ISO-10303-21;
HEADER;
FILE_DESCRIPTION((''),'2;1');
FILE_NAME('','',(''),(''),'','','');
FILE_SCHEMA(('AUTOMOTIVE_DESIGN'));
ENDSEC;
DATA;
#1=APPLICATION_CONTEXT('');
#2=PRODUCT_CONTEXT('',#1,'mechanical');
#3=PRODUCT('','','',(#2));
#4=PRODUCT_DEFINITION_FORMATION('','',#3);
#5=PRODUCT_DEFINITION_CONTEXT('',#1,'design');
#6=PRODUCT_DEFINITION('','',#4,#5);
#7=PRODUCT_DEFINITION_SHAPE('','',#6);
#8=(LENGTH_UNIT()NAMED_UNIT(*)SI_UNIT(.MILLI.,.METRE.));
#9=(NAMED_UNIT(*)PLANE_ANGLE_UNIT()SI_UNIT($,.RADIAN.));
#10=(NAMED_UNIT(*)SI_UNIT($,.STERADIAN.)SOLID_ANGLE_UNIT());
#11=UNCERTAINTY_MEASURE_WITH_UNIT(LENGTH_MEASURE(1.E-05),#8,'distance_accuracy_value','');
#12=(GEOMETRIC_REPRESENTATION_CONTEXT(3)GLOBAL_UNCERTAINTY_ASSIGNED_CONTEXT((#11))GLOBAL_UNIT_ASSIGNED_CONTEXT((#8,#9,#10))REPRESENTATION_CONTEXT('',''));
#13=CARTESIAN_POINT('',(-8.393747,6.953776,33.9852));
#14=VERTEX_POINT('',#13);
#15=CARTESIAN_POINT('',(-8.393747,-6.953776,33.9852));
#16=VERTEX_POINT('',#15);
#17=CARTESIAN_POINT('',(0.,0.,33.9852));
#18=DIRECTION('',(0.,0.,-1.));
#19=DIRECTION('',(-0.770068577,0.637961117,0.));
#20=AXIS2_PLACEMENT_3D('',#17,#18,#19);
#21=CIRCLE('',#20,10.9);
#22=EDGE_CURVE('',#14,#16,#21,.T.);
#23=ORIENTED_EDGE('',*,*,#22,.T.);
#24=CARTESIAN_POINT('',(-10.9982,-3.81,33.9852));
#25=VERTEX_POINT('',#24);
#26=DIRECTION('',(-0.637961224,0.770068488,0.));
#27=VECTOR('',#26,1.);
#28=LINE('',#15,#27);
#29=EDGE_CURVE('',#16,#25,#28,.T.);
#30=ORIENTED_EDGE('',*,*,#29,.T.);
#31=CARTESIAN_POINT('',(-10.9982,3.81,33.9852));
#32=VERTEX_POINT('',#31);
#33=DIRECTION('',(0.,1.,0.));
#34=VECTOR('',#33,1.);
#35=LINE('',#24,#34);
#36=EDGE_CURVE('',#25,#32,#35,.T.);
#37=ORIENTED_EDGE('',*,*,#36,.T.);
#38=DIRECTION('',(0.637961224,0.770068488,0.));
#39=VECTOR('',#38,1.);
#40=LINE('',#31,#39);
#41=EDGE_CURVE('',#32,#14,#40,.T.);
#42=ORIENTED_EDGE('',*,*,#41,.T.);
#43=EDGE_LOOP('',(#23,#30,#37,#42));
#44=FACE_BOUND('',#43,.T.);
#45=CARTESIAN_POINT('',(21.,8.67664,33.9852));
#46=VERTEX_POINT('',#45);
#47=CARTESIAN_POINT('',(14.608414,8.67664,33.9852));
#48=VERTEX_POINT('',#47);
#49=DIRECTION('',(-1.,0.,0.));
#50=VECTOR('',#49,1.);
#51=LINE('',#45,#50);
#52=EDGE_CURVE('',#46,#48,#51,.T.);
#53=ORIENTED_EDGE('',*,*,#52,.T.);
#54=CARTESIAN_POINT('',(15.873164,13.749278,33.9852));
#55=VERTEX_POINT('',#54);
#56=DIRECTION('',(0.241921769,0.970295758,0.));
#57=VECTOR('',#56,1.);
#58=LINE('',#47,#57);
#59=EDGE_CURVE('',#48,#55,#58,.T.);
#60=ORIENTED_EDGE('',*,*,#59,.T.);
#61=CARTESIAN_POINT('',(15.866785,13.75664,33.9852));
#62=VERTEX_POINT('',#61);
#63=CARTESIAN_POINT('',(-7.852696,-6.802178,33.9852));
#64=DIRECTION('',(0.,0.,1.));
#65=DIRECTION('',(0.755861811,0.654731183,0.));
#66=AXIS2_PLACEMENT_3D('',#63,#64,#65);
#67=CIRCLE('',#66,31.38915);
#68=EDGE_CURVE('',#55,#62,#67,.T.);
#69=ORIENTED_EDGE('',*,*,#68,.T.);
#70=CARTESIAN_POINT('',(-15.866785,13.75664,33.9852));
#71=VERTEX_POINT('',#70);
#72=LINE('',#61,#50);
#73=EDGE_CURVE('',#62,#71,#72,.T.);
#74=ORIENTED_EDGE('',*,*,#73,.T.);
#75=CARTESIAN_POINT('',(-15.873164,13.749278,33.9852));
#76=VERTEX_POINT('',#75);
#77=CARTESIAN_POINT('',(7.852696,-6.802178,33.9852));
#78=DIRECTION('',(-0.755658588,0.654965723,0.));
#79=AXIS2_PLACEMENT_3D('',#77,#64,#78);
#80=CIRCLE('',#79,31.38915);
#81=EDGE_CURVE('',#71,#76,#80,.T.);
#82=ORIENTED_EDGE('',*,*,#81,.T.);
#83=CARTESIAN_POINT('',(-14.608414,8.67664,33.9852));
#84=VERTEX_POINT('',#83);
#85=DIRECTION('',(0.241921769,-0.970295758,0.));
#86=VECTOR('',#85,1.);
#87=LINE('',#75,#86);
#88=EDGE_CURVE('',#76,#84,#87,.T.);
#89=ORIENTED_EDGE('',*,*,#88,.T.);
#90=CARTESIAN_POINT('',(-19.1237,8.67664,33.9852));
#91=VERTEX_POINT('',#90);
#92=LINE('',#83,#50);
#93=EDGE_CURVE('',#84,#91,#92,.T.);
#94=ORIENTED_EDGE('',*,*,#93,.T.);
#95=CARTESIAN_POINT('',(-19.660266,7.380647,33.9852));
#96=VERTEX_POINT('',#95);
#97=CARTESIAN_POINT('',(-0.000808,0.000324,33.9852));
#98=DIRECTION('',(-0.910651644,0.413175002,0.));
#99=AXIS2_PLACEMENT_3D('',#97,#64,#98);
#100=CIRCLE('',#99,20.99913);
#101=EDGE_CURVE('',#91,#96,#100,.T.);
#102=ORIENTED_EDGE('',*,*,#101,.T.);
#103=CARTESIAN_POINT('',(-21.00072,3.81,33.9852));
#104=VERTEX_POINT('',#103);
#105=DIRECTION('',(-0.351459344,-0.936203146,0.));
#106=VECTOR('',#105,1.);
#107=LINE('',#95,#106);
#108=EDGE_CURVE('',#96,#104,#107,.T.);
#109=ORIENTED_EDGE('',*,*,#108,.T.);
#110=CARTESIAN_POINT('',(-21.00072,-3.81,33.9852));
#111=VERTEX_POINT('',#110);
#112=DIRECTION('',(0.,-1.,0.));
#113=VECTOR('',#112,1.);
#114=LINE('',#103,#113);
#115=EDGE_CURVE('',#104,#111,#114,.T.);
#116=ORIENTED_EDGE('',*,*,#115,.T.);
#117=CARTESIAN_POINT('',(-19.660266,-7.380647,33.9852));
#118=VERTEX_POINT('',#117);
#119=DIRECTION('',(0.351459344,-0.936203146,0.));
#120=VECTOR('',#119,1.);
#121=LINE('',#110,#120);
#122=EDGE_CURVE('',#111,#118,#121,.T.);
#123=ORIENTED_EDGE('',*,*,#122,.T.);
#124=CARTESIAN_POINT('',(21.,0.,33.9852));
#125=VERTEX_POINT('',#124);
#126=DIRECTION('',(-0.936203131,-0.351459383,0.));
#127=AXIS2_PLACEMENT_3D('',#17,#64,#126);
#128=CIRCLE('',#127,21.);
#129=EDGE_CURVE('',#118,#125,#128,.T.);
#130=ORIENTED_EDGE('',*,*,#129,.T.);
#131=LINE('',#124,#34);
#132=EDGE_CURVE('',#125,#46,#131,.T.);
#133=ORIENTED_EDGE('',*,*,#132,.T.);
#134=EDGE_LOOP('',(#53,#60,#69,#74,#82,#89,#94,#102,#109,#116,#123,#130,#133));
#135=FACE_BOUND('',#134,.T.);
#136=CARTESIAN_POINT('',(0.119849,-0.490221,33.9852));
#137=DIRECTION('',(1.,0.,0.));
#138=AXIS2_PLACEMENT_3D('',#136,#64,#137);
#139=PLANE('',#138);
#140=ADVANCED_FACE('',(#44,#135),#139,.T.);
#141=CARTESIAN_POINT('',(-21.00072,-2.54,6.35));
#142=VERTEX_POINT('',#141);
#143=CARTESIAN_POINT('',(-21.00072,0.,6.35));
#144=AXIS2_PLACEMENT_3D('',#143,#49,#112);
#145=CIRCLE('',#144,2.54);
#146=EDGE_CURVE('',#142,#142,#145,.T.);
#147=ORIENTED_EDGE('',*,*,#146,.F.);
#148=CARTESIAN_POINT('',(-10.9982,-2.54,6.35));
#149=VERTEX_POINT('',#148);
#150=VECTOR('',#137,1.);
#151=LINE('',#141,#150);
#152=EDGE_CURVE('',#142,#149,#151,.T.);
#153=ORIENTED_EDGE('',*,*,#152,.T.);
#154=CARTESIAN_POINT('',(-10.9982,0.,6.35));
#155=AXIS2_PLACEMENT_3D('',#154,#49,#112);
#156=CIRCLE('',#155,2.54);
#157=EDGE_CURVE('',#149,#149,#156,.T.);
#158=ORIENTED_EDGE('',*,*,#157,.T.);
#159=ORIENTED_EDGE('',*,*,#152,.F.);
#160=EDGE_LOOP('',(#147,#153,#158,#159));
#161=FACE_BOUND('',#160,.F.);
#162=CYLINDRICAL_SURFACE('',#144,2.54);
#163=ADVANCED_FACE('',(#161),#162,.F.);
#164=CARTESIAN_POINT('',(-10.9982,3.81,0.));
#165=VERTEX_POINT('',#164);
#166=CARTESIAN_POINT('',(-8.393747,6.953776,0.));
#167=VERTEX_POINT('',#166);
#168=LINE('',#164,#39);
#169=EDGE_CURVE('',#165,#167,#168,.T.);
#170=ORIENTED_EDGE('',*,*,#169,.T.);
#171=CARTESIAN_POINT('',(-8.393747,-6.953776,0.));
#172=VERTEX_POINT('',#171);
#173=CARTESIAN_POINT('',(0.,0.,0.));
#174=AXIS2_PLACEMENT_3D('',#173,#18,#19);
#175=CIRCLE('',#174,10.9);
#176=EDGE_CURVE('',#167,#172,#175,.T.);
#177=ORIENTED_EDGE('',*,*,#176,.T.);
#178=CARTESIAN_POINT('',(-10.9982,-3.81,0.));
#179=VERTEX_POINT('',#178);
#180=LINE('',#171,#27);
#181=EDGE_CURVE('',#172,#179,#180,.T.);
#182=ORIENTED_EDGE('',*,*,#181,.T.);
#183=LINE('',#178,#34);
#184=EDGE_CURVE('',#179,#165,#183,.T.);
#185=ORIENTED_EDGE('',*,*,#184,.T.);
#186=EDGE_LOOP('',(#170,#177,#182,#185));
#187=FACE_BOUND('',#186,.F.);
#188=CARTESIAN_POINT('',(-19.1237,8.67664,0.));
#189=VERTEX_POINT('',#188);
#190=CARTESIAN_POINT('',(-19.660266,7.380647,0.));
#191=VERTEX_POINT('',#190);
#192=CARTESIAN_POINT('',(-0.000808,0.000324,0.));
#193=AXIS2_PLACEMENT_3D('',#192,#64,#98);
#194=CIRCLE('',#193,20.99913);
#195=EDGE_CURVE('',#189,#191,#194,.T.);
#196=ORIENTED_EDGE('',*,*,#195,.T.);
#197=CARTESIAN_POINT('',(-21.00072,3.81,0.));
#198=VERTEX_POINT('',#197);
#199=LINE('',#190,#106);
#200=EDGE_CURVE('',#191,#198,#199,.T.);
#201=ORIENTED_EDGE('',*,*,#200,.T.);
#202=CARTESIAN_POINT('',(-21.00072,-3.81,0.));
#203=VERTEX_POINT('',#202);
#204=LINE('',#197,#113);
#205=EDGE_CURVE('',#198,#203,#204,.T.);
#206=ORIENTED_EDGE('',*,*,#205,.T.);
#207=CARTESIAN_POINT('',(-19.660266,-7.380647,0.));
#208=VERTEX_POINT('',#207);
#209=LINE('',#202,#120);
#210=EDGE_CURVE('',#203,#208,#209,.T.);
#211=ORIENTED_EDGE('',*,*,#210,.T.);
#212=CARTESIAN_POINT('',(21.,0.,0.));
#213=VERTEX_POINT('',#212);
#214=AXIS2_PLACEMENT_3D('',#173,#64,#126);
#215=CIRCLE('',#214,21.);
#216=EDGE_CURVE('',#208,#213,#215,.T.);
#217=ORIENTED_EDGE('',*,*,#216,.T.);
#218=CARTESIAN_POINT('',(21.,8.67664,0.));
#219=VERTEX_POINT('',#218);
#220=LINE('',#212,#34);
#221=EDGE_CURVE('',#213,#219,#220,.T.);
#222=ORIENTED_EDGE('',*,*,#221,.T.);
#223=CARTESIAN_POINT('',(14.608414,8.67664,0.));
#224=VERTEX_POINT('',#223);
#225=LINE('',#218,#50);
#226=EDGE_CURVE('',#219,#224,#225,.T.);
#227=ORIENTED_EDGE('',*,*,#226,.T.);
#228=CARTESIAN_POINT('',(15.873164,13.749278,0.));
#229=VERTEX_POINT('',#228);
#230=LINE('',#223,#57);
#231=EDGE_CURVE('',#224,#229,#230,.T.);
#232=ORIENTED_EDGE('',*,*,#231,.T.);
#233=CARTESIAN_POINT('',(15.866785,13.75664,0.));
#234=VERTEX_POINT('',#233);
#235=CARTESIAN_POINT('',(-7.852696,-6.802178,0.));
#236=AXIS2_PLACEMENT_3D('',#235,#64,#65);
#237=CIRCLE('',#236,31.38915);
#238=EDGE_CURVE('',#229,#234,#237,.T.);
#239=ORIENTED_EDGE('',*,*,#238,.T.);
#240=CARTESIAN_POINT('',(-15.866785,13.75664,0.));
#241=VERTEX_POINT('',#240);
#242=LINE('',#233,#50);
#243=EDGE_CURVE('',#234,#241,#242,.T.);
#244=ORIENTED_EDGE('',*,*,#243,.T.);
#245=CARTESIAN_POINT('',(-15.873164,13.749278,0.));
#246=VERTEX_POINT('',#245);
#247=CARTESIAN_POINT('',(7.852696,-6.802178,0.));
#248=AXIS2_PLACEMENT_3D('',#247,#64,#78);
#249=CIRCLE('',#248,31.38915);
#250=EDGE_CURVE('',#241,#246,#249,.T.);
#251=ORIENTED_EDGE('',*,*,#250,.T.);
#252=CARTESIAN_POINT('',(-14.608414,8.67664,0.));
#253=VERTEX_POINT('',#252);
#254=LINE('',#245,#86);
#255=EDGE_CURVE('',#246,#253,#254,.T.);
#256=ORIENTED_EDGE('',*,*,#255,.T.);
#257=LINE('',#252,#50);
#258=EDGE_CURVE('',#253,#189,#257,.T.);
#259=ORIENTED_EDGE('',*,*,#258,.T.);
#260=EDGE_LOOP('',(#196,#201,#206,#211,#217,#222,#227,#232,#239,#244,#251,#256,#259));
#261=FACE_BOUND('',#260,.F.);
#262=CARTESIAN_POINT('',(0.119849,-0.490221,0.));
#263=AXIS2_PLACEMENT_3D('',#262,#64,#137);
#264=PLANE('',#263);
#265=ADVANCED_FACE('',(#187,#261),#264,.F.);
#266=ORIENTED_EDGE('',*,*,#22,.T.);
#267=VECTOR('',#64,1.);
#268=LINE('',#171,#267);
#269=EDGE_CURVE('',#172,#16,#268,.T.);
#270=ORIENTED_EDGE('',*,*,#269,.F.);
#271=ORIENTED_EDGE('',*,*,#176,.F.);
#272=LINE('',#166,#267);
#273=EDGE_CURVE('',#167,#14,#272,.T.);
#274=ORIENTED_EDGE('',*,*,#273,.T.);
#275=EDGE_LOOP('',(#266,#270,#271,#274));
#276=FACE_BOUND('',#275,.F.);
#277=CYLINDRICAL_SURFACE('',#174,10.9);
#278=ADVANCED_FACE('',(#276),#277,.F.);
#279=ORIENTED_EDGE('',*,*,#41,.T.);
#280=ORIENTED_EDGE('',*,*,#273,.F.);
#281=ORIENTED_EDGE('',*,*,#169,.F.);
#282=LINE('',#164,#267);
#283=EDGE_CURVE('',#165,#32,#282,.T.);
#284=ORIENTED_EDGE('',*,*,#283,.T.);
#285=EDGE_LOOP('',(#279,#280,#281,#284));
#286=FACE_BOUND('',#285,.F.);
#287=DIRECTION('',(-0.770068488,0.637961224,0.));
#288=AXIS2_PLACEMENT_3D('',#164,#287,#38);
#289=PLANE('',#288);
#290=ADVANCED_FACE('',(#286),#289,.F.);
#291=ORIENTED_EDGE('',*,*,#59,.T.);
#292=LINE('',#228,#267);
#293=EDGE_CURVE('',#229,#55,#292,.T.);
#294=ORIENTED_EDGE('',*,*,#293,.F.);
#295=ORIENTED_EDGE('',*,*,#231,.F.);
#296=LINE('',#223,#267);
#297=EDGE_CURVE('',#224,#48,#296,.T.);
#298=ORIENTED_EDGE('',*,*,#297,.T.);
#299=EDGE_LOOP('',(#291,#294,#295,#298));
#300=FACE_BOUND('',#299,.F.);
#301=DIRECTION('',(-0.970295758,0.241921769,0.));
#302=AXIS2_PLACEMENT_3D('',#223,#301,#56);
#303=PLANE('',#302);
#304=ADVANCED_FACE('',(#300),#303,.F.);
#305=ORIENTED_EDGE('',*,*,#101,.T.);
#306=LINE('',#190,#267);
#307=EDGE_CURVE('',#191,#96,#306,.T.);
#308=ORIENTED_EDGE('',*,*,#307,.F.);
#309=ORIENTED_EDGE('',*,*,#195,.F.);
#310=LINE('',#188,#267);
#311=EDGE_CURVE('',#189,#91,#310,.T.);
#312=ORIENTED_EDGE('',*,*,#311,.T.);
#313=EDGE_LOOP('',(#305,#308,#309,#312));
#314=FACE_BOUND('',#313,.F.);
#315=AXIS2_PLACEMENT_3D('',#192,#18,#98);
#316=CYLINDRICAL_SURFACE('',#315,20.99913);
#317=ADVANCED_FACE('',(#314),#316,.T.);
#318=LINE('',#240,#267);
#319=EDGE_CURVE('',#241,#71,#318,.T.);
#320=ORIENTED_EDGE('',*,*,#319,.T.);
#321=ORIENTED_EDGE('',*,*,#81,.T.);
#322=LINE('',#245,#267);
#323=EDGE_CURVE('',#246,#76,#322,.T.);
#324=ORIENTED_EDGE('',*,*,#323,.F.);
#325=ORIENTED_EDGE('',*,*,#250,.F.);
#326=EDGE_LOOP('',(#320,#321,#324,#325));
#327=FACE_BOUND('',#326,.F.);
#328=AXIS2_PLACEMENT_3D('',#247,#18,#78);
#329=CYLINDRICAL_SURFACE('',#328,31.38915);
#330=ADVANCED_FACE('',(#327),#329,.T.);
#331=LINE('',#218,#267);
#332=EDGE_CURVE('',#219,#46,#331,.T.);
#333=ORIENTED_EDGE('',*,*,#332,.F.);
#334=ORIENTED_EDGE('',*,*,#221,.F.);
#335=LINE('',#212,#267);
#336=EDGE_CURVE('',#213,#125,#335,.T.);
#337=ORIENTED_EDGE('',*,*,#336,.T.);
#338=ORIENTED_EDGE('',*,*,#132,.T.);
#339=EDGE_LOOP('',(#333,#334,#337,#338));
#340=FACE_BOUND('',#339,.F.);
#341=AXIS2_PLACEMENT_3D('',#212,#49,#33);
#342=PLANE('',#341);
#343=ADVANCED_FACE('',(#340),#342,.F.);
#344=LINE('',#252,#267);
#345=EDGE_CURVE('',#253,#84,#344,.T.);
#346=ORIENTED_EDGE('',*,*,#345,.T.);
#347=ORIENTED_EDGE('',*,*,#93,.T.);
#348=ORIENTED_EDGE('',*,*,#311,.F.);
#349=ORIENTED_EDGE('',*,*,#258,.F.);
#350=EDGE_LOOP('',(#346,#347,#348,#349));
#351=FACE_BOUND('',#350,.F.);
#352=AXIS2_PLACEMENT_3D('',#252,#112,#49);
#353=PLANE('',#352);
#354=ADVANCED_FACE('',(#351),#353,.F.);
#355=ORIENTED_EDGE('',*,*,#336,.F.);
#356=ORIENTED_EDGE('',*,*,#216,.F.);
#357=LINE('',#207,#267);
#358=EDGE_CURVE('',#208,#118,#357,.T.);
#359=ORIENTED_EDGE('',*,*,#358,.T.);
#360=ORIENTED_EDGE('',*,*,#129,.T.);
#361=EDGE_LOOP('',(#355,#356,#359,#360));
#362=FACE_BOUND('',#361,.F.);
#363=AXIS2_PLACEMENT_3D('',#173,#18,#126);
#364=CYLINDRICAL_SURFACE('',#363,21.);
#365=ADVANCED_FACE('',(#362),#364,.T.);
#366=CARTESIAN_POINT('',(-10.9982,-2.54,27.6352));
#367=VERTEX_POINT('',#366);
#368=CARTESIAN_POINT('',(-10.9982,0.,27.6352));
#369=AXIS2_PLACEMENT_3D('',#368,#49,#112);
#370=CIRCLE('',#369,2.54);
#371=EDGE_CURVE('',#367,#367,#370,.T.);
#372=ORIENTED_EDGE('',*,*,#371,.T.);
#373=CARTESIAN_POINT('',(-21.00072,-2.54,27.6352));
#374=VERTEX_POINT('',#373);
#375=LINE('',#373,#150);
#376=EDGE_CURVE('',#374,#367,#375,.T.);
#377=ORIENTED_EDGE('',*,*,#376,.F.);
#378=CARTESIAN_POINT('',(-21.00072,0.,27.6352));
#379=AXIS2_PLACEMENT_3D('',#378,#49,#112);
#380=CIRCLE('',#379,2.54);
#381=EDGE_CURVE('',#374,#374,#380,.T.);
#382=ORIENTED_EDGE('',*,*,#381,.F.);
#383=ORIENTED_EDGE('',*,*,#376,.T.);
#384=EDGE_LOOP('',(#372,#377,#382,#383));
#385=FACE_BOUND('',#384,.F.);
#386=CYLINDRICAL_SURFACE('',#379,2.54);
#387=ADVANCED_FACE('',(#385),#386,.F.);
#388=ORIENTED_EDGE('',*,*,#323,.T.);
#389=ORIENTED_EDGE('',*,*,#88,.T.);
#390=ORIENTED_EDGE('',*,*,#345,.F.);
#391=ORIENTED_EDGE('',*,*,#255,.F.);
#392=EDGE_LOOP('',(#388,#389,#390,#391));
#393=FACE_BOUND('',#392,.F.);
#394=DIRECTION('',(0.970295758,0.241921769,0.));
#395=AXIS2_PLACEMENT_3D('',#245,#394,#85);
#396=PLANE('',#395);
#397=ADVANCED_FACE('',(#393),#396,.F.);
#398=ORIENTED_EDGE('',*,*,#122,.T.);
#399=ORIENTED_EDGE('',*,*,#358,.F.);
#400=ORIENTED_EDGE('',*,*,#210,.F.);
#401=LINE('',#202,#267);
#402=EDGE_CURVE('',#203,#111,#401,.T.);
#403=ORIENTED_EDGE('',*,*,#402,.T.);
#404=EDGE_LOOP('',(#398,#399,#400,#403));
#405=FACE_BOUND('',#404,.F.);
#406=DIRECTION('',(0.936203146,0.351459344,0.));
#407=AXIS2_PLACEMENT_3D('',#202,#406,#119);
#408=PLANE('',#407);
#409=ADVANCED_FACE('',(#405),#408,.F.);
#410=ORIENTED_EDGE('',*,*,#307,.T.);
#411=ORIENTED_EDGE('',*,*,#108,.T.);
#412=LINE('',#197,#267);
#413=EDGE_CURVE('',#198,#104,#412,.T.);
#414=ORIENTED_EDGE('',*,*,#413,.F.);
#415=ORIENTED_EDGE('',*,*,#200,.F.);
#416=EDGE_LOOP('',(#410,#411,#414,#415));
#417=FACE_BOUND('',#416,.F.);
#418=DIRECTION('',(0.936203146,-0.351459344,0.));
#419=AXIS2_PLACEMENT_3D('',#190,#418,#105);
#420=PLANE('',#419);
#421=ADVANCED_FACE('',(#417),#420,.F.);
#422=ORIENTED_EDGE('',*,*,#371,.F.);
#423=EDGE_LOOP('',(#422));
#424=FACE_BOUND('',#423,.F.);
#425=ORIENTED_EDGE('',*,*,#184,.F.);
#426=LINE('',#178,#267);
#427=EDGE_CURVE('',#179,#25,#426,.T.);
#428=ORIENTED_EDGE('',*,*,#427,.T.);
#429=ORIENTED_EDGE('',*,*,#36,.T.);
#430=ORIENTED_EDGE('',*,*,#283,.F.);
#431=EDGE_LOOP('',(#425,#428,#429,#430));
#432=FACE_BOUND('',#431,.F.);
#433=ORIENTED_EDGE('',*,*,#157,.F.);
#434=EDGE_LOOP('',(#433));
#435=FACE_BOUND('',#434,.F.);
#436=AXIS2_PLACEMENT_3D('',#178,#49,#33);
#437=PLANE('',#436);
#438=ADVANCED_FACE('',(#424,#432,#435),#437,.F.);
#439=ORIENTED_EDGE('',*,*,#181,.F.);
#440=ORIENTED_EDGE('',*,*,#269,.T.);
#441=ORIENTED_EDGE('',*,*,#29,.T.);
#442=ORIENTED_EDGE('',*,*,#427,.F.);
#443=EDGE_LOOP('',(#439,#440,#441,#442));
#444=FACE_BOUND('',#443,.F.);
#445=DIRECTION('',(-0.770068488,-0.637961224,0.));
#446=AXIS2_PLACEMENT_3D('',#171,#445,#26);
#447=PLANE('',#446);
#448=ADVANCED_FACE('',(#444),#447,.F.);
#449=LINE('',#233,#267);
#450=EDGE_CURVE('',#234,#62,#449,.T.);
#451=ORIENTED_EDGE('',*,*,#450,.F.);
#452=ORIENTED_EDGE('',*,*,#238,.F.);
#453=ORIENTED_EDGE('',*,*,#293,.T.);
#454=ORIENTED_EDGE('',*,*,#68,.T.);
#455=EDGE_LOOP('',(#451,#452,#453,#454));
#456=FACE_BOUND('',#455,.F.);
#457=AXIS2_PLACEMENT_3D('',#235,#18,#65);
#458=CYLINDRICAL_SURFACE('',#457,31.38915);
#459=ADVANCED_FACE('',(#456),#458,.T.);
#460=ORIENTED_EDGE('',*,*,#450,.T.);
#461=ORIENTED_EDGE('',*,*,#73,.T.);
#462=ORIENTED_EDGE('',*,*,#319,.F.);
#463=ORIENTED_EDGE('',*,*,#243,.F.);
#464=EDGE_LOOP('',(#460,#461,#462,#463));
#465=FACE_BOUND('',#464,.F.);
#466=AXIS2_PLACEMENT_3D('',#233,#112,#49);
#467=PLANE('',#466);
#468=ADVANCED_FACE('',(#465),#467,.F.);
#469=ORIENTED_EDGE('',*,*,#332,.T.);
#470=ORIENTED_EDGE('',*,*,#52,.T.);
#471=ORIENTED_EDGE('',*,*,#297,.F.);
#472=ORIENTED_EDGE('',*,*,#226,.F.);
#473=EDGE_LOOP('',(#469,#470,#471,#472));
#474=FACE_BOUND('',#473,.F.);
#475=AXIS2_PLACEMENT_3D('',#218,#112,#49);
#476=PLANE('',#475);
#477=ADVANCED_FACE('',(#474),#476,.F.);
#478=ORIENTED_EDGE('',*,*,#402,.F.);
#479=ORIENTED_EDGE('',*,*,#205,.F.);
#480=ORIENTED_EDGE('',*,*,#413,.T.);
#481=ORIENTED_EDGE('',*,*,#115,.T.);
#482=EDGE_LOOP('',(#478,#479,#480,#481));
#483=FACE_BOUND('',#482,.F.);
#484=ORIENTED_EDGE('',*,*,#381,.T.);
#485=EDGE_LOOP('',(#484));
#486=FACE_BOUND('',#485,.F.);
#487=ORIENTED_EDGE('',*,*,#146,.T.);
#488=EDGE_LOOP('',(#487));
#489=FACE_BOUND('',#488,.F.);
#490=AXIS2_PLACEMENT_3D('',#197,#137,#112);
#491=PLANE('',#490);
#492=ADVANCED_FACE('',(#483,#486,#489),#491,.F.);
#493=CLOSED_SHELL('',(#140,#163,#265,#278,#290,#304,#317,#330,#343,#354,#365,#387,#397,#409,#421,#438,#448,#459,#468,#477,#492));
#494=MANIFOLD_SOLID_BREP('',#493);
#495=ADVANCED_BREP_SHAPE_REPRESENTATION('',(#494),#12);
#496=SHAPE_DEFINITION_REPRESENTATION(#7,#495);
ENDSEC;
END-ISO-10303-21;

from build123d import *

# Parameters (mm, degrees)
F1_DEPTH = 33.9852
F2_R     = 2.54
F3_DEPTH = 10.00252


with BuildPart() as f1:
    # F0 (on Top) → F1 (new body)
    with BuildSketch(Plane.XY):
        with BuildLine():
            Line((-21.00072, -3.81), (-19.660266, -7.380647))
            ThreePointArc((-19.660266, -7.380647), (3.750628, -20.662352), (21, 0))
            Line((21, 0), (21, 8.67664))
            Line((21, 8.67664), (19.1237, 8.67664))
            Line((19.1237, 8.67664), (14.608414, 8.67664))
            Line((14.608414, 8.67664), (15.873164, 13.749278))
            ThreePointArc((15.873164, 13.749278), (15.869975, 13.752959), (15.866785, 13.75664))
            Line((15.866785, 13.75664), (-15.866785, 13.75664))
            ThreePointArc((-15.866785, 13.75664), (-15.869975, 13.752959), (-15.873164, 13.749278))
            Line((-15.873164, 13.749278), (-14.608414, 8.67664))
            Line((-14.608414, 8.67664), (-19.1237, 8.67664))
            ThreePointArc((-19.1237, 8.67664), (-19.402807, 8.033125), (-19.660266, 7.380647))
            Line((-19.660266, 7.380647), (-21.00072, 3.81))
            Line((-21.00072, 3.81), (-21.00072, -3.81))
        make_face()
        with BuildLine():
            ThreePointArc((-8.393747, 6.953776), (10.9, 0), (-8.393747, -6.953776))
            Line((-8.393747, -6.953776), (-10.9982, -3.81))
            Line((-10.9982, -3.81), (-10.9982, 3.81))
            Line((-10.9982, 3.81), (-8.393747, 6.953776))
        make_face(mode=Mode.SUBTRACT)
    extrude(amount=F1_DEPTH)

    # F2 (on face) → F3 (cut, through all)
    with BuildSketch(Plane(origin=(-21.00072, 0, 0), x_dir=(0, -1, 0), z_dir=(-1, 0, 0))):
        with Locations((0, 6.35)):
            Circle(F2_R)
        with Locations((0, 27.6352)):
            Circle(F2_R)
    extrude(amount=-F3_DEPTH, mode=Mode.SUBTRACT)


solid = f1.part
